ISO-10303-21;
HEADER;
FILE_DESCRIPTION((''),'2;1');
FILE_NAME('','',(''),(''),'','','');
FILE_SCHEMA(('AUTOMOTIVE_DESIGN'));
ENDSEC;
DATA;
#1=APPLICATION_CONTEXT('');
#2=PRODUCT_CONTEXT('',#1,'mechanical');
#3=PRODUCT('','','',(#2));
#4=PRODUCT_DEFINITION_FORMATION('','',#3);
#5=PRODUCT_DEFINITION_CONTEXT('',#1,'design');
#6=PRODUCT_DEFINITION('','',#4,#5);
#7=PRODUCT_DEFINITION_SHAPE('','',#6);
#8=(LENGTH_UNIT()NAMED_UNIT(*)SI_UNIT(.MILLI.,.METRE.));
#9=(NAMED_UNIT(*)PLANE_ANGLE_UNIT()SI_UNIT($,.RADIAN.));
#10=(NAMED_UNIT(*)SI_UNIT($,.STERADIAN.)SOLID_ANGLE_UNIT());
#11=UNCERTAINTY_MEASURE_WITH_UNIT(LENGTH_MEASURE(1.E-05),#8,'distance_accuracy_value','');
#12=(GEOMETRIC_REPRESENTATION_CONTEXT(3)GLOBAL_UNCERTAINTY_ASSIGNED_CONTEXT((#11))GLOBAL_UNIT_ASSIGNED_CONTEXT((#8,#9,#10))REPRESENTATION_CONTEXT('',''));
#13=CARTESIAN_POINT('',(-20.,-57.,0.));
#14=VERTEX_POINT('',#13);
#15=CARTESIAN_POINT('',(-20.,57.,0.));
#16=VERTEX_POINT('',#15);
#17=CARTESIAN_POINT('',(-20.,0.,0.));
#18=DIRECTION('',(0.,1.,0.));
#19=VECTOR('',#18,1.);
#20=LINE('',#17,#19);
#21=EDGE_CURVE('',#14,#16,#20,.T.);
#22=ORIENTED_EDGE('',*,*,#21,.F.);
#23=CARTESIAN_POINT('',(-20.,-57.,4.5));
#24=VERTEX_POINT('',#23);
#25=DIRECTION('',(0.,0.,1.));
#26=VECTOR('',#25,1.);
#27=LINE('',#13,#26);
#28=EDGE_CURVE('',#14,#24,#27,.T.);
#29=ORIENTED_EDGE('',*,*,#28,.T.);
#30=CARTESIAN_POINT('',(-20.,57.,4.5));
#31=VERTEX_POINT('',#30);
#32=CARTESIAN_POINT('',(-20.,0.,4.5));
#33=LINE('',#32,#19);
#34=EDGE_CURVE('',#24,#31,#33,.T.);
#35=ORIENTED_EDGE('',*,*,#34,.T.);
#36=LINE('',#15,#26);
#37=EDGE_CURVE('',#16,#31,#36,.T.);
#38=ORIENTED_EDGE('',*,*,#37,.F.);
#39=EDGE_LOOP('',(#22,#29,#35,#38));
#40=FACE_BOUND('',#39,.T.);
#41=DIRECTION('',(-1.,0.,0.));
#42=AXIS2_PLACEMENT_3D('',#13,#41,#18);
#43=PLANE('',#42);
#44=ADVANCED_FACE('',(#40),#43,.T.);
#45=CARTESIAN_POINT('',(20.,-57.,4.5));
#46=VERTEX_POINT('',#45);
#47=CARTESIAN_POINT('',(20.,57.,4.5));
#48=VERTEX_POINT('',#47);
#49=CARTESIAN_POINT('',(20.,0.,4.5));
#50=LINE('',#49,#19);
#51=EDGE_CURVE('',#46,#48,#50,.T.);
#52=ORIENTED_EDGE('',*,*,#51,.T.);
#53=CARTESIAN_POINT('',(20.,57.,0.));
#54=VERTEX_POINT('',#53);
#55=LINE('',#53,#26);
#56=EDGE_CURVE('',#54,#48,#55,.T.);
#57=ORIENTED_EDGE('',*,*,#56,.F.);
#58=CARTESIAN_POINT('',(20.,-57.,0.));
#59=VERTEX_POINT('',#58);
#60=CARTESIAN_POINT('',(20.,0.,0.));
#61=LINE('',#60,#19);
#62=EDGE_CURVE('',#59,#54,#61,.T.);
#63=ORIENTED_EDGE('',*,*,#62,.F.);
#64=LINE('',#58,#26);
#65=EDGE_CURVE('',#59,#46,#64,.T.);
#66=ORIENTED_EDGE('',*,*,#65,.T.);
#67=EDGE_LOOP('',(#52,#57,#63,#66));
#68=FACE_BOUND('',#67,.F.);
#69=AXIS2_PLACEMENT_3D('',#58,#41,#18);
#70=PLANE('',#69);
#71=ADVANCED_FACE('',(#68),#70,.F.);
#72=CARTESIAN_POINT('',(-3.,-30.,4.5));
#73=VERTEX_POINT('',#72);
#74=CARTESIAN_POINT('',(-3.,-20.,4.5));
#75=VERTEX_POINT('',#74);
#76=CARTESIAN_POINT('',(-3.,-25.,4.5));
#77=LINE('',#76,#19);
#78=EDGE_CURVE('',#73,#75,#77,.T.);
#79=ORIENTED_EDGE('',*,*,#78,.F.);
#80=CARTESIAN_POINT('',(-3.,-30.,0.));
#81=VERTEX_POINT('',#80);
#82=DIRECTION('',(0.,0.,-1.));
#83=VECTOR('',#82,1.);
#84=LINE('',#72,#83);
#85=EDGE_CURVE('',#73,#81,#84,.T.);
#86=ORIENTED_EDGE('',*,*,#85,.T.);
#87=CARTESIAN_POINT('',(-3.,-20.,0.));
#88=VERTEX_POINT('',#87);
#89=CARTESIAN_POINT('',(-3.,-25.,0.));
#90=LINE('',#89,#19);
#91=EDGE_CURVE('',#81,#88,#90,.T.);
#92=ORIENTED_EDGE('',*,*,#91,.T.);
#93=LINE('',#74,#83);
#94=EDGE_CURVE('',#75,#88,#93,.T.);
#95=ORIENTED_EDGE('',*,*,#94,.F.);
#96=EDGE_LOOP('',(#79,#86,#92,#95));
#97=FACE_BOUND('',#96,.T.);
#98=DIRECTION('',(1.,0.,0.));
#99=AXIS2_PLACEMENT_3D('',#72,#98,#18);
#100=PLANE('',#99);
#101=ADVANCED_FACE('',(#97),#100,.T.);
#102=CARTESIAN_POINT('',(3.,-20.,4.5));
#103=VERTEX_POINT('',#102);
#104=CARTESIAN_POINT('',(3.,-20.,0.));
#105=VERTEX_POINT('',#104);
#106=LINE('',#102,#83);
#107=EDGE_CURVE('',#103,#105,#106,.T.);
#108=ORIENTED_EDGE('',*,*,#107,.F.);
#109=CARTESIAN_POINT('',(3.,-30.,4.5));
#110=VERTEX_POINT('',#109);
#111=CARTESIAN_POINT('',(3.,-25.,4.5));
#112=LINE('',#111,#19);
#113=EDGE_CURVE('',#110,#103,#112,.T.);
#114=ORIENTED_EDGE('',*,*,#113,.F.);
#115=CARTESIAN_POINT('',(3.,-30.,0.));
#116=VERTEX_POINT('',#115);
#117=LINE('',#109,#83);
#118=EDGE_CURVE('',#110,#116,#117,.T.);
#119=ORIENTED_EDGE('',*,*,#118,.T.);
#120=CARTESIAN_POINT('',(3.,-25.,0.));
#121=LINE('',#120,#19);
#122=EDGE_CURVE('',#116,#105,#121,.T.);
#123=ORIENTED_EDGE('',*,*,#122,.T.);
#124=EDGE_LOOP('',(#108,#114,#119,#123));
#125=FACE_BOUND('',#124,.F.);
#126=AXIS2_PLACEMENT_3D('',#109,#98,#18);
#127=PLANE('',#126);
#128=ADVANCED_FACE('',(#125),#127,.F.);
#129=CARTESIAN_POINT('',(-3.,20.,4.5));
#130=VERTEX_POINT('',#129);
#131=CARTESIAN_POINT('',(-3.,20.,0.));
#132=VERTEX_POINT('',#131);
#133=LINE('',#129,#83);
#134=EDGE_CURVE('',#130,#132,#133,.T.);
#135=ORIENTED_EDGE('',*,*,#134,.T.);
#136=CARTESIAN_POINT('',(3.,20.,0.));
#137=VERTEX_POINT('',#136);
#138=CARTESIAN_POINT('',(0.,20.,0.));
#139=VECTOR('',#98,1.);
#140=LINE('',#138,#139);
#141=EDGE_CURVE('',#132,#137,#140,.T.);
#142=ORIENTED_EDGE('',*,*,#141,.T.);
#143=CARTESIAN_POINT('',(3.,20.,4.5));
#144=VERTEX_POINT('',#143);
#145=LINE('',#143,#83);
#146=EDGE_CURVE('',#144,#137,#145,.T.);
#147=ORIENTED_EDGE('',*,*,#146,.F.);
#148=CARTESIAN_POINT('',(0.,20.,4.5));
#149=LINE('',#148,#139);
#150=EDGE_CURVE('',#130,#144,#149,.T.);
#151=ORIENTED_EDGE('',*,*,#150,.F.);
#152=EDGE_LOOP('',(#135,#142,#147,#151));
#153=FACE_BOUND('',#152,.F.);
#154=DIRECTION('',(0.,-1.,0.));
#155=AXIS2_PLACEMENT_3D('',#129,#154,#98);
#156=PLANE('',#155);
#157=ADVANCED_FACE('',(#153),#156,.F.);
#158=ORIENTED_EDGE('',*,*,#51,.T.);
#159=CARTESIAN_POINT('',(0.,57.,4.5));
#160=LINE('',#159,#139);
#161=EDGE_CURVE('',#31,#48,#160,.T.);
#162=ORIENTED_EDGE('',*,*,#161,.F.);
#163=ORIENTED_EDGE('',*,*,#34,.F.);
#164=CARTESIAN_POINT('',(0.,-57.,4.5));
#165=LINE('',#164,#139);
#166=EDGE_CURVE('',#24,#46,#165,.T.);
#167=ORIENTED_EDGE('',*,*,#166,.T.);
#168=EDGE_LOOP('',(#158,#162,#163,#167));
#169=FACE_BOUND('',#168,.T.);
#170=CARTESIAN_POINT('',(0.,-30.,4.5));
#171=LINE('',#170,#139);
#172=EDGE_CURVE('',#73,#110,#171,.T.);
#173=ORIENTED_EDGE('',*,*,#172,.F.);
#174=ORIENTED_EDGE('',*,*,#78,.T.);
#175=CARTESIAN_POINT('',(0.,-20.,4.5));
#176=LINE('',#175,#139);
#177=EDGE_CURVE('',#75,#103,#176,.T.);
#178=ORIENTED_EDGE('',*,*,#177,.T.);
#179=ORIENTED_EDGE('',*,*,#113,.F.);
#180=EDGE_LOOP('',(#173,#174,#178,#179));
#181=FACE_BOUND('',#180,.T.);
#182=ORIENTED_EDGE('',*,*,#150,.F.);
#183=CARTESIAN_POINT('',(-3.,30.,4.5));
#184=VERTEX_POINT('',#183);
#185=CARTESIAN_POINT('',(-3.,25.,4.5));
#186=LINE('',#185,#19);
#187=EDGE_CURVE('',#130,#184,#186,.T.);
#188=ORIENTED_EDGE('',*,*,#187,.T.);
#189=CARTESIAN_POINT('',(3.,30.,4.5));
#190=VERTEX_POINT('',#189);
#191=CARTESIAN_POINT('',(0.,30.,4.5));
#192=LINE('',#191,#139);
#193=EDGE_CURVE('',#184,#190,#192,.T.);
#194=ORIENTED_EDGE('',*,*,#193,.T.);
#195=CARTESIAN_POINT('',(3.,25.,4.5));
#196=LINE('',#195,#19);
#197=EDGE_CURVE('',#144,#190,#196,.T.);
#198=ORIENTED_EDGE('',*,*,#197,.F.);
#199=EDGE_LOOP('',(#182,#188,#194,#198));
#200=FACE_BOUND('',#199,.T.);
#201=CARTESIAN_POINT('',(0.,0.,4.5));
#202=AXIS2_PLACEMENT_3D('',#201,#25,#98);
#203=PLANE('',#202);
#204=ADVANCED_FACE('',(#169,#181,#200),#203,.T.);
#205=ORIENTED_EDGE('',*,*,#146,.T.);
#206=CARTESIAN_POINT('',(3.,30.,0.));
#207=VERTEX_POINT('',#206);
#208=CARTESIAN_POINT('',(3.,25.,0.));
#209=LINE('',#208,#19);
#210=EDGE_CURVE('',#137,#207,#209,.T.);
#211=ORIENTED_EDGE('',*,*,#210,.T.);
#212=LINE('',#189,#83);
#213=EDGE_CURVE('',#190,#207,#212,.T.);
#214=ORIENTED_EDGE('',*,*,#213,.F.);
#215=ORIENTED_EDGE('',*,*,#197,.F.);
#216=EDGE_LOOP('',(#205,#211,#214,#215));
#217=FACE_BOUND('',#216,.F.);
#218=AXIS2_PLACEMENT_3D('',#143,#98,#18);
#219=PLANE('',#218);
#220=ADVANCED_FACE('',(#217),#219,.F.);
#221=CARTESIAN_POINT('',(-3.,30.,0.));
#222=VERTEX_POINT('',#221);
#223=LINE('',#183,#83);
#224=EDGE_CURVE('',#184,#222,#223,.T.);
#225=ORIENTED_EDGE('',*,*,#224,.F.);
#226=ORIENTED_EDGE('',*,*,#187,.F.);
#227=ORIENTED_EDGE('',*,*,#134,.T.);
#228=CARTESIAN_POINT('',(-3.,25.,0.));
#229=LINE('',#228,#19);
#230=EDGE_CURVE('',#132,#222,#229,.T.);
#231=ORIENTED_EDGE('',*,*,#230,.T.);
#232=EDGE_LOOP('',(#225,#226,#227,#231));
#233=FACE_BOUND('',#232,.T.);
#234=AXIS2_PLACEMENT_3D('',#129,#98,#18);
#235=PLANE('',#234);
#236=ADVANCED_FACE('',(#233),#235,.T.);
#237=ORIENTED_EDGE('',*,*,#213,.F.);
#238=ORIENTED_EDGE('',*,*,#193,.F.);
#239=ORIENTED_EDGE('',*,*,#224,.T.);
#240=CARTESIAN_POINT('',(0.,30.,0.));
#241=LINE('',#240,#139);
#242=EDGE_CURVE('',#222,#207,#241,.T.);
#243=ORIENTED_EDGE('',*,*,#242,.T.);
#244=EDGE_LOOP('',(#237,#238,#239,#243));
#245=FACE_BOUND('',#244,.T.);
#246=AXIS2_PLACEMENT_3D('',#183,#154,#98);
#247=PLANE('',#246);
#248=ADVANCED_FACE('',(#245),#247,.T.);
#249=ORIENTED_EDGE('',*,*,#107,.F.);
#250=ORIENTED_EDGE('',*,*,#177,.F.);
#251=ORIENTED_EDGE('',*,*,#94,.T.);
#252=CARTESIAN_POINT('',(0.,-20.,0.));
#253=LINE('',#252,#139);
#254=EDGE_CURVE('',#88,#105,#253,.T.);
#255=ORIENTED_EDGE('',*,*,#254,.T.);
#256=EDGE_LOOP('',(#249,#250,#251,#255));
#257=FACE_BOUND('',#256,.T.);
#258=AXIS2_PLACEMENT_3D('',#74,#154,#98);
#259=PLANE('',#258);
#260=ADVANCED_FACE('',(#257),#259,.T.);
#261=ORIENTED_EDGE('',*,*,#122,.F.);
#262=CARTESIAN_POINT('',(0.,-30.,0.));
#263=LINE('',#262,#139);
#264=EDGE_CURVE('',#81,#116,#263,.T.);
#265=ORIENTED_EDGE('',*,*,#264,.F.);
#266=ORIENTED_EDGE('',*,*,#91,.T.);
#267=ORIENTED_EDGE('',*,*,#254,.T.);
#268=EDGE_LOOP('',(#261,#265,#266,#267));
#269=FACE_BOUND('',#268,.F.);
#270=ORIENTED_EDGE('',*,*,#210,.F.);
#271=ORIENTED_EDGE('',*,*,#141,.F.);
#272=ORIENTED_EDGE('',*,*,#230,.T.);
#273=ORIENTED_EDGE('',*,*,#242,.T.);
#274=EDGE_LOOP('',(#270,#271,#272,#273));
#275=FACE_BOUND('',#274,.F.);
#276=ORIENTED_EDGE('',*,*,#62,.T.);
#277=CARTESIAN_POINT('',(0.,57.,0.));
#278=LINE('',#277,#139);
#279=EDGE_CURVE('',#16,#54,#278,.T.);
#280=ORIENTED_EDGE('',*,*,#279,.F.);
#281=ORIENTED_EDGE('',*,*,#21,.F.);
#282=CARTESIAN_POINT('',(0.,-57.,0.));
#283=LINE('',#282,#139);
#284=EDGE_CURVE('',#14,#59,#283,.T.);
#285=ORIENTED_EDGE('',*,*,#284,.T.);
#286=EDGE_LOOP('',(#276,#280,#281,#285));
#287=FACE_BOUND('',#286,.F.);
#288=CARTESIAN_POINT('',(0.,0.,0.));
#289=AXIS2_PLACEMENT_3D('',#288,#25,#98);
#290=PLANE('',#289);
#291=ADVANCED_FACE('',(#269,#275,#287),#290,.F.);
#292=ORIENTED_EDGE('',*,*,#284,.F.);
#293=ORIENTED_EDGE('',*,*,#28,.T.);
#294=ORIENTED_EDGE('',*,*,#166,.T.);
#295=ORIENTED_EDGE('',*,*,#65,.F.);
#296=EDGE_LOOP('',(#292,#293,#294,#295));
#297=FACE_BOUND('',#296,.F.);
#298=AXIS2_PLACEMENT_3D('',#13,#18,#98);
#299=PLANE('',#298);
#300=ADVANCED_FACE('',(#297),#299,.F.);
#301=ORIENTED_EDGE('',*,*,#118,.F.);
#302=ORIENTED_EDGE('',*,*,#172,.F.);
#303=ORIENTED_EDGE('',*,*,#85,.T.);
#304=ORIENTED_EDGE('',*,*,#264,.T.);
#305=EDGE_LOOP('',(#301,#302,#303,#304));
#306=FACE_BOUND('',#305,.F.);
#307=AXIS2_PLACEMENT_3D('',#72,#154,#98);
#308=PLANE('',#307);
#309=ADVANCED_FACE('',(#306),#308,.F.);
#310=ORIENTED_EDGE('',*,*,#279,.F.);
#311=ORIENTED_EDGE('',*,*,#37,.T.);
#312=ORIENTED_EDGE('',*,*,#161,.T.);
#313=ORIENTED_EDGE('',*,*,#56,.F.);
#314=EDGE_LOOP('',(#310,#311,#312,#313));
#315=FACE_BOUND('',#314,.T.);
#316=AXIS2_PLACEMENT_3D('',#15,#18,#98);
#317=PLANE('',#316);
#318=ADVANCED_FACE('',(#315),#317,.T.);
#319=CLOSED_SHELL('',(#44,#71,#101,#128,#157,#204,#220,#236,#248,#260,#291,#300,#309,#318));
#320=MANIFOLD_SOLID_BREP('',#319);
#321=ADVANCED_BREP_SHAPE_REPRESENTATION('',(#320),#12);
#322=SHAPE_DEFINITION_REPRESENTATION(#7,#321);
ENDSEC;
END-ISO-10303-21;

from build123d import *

# Parameters (mm, degrees)
F0_W     = 40
F0_H     = 114
F1_DEPTH = 4.5
F2_W     = 6
F2_H     = 10
F3_DEPTH = 4.5


with BuildPart() as f1:
    # F0 (on Top) → F1 (new body)
    with BuildSketch(Plane.XY):
        Rectangle(F0_W, F0_H)
    extrude(amount=F1_DEPTH)

    # F2 (on face) → F3 (cut, through all)
    with BuildSketch(Plane.XY.offset(4.5)):
        with Locations((0, 25)):
            Rectangle(F2_W, F2_H)
        with Locations((0, -25)):
            Rectangle(F2_W, F2_H)
    extrude(amount=-F3_DEPTH, mode=Mode.SUBTRACT)


solid = f1.part
